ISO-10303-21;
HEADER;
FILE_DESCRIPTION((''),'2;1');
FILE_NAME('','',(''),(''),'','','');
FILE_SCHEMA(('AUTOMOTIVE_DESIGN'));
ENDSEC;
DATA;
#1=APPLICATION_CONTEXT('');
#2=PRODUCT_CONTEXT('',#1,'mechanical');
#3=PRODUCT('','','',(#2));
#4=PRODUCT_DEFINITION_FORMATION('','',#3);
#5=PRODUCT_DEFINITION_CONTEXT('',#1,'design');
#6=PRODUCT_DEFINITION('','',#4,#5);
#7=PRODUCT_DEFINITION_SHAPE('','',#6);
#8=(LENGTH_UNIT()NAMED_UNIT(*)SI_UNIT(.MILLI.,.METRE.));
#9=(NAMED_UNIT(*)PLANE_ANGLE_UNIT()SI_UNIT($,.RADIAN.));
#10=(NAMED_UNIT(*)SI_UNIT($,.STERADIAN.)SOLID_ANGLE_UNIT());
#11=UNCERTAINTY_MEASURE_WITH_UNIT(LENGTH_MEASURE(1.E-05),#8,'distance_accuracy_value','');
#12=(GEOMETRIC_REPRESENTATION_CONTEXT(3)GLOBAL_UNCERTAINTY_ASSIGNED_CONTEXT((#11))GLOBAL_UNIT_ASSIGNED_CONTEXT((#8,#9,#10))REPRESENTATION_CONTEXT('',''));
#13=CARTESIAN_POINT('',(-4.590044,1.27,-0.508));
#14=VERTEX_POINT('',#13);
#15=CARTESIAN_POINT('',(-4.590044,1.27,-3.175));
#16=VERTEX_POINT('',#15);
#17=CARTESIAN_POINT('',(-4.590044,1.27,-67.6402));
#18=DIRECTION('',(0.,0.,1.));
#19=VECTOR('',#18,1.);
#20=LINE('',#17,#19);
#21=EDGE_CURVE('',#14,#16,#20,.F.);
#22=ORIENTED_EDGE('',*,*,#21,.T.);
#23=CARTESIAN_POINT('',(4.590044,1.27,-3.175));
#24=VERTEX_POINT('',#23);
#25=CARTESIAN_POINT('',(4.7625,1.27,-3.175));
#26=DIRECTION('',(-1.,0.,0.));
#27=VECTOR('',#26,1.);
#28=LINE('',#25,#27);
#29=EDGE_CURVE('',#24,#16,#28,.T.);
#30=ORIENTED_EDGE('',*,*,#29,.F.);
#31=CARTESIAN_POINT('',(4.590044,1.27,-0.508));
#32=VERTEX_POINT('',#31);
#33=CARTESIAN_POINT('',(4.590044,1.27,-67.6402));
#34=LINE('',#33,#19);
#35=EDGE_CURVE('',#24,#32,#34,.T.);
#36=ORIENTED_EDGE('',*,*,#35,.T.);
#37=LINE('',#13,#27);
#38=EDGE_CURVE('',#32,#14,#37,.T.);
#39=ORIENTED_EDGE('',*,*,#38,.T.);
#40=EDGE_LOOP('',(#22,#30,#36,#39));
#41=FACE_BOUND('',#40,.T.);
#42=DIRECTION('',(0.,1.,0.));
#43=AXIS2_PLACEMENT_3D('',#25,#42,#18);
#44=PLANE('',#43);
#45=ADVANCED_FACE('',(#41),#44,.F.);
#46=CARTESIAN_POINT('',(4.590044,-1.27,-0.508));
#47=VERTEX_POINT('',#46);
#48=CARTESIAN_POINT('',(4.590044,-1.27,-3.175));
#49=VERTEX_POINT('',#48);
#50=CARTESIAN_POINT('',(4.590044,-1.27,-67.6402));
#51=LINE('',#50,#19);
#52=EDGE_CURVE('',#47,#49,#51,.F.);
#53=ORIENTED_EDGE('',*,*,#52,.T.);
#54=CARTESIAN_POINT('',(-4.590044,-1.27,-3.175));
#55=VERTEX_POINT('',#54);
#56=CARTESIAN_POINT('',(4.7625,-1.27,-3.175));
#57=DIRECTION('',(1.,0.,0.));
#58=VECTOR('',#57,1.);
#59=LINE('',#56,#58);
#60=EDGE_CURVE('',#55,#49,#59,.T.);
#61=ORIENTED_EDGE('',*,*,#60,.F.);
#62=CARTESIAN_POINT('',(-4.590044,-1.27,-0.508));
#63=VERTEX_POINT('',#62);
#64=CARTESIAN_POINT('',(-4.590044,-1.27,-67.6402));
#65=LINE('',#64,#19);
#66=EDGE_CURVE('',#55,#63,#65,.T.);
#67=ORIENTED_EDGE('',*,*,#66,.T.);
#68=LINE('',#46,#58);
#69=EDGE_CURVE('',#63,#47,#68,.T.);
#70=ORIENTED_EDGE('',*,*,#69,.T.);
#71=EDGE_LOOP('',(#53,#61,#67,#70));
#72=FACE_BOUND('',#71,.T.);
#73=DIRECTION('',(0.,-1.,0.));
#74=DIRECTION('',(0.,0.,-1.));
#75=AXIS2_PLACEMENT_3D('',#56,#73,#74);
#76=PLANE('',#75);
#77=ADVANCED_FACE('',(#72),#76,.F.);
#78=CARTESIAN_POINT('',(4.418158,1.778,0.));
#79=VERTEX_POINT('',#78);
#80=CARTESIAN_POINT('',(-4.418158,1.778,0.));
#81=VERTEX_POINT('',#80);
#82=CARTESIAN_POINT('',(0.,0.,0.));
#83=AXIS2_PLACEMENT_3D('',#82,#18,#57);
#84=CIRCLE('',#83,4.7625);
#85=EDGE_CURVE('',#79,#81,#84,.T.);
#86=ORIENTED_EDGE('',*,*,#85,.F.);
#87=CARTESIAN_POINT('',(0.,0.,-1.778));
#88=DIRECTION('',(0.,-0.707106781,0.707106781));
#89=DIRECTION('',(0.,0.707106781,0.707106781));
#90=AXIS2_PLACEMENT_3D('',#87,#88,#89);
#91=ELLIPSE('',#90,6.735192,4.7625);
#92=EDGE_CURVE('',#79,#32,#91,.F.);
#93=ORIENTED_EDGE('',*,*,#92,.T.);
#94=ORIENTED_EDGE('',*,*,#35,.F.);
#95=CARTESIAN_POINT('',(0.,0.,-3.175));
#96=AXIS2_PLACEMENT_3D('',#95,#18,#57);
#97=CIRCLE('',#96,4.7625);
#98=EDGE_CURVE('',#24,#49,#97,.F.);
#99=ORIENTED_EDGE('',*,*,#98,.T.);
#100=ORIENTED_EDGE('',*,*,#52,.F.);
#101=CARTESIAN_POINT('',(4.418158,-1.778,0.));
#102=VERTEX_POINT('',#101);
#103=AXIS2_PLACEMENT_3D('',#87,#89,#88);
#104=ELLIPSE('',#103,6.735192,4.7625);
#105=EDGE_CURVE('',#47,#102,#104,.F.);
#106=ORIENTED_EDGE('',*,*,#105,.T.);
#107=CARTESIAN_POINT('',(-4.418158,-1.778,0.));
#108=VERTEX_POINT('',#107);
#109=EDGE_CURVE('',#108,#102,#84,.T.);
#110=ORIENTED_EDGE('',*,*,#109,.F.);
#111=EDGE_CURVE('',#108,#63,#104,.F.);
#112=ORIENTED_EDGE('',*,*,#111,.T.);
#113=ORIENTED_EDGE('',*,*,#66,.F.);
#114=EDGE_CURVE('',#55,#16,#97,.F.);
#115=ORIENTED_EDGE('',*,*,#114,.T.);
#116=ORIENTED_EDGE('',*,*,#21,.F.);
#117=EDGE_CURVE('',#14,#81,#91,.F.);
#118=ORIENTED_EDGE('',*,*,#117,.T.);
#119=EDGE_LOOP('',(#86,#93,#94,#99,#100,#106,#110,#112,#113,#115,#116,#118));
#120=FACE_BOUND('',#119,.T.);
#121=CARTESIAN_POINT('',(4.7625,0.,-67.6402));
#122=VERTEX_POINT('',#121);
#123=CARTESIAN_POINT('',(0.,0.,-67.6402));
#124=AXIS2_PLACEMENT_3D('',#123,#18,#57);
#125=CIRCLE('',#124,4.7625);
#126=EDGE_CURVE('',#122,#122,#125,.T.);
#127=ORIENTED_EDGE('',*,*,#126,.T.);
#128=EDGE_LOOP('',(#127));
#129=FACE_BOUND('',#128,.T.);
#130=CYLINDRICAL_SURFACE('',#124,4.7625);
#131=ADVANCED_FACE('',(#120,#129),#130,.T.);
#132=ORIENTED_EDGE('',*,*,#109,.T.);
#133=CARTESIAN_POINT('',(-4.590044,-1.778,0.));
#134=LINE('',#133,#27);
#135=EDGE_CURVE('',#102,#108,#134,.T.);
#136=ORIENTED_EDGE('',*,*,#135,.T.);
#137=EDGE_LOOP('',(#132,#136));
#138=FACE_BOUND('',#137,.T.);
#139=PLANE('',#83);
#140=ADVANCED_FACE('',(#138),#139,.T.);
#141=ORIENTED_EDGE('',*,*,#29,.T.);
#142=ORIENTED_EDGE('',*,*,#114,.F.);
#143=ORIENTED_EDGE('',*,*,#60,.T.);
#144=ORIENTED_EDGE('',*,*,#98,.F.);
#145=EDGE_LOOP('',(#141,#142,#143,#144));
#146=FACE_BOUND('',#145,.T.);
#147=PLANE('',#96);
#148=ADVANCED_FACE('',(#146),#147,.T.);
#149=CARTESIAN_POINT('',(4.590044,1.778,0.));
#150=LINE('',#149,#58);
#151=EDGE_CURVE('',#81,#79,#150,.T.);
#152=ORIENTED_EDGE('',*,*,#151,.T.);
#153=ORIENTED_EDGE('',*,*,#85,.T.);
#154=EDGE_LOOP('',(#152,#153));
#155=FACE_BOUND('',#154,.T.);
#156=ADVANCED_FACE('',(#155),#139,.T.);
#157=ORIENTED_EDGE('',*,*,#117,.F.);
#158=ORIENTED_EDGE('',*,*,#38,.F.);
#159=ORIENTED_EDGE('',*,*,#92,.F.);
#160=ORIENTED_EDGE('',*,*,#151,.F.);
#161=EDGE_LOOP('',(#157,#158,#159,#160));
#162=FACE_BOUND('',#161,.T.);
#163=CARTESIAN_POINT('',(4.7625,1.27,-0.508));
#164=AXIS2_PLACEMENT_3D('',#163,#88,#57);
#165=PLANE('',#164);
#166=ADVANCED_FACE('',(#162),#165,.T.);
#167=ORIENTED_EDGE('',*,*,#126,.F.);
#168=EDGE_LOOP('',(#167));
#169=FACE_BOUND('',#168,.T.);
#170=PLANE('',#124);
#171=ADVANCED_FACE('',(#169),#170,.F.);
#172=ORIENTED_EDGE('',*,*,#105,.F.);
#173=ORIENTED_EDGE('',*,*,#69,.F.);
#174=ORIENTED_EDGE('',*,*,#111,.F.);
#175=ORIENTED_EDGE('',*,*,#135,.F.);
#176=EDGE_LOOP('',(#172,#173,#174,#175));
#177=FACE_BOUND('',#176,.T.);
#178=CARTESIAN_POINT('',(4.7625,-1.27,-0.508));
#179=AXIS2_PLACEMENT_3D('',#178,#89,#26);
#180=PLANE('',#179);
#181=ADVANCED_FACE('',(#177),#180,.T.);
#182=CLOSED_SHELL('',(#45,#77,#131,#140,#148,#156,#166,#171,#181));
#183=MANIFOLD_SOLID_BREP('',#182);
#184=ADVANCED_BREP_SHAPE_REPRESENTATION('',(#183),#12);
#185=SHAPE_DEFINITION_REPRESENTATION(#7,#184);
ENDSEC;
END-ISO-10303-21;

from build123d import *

# Parameters (mm, degrees)
SKETCH1_R           = 4.7625
BOSS_EXTRUDE1_DEPTH = 67.6402
SKETCH2_W           = 9.525
SKETCH2_H           = 2.54
CUT_EXTRUDE1_DEPTH  = 3.175
CHAMFER1_SIZE       = 0.508


with BuildPart() as part:
    # Sketch1 → Boss-Extrude1 (new body)
    with BuildSketch(Plane.XY):
        Circle(SKETCH1_R)
    extrude(amount=-BOSS_EXTRUDE1_DEPTH)

    # Sketch2 → Cut-Extrude1 (cut)
    with BuildSketch(Plane.XY):
        Rectangle(SKETCH2_W, SKETCH2_H)
    extrude(amount=-CUT_EXTRUDE1_DEPTH, mode=Mode.SUBTRACT)

    # Chamfer1
    chamfer1_edges = [part.edges().sort_by_distance(p)[0] for p in [
        (0, -1.27, 0),
        (0, 1.27, 0),
    ]]
    chamfer(chamfer1_edges, length=CHAMFER1_SIZE)


solid = part.part
